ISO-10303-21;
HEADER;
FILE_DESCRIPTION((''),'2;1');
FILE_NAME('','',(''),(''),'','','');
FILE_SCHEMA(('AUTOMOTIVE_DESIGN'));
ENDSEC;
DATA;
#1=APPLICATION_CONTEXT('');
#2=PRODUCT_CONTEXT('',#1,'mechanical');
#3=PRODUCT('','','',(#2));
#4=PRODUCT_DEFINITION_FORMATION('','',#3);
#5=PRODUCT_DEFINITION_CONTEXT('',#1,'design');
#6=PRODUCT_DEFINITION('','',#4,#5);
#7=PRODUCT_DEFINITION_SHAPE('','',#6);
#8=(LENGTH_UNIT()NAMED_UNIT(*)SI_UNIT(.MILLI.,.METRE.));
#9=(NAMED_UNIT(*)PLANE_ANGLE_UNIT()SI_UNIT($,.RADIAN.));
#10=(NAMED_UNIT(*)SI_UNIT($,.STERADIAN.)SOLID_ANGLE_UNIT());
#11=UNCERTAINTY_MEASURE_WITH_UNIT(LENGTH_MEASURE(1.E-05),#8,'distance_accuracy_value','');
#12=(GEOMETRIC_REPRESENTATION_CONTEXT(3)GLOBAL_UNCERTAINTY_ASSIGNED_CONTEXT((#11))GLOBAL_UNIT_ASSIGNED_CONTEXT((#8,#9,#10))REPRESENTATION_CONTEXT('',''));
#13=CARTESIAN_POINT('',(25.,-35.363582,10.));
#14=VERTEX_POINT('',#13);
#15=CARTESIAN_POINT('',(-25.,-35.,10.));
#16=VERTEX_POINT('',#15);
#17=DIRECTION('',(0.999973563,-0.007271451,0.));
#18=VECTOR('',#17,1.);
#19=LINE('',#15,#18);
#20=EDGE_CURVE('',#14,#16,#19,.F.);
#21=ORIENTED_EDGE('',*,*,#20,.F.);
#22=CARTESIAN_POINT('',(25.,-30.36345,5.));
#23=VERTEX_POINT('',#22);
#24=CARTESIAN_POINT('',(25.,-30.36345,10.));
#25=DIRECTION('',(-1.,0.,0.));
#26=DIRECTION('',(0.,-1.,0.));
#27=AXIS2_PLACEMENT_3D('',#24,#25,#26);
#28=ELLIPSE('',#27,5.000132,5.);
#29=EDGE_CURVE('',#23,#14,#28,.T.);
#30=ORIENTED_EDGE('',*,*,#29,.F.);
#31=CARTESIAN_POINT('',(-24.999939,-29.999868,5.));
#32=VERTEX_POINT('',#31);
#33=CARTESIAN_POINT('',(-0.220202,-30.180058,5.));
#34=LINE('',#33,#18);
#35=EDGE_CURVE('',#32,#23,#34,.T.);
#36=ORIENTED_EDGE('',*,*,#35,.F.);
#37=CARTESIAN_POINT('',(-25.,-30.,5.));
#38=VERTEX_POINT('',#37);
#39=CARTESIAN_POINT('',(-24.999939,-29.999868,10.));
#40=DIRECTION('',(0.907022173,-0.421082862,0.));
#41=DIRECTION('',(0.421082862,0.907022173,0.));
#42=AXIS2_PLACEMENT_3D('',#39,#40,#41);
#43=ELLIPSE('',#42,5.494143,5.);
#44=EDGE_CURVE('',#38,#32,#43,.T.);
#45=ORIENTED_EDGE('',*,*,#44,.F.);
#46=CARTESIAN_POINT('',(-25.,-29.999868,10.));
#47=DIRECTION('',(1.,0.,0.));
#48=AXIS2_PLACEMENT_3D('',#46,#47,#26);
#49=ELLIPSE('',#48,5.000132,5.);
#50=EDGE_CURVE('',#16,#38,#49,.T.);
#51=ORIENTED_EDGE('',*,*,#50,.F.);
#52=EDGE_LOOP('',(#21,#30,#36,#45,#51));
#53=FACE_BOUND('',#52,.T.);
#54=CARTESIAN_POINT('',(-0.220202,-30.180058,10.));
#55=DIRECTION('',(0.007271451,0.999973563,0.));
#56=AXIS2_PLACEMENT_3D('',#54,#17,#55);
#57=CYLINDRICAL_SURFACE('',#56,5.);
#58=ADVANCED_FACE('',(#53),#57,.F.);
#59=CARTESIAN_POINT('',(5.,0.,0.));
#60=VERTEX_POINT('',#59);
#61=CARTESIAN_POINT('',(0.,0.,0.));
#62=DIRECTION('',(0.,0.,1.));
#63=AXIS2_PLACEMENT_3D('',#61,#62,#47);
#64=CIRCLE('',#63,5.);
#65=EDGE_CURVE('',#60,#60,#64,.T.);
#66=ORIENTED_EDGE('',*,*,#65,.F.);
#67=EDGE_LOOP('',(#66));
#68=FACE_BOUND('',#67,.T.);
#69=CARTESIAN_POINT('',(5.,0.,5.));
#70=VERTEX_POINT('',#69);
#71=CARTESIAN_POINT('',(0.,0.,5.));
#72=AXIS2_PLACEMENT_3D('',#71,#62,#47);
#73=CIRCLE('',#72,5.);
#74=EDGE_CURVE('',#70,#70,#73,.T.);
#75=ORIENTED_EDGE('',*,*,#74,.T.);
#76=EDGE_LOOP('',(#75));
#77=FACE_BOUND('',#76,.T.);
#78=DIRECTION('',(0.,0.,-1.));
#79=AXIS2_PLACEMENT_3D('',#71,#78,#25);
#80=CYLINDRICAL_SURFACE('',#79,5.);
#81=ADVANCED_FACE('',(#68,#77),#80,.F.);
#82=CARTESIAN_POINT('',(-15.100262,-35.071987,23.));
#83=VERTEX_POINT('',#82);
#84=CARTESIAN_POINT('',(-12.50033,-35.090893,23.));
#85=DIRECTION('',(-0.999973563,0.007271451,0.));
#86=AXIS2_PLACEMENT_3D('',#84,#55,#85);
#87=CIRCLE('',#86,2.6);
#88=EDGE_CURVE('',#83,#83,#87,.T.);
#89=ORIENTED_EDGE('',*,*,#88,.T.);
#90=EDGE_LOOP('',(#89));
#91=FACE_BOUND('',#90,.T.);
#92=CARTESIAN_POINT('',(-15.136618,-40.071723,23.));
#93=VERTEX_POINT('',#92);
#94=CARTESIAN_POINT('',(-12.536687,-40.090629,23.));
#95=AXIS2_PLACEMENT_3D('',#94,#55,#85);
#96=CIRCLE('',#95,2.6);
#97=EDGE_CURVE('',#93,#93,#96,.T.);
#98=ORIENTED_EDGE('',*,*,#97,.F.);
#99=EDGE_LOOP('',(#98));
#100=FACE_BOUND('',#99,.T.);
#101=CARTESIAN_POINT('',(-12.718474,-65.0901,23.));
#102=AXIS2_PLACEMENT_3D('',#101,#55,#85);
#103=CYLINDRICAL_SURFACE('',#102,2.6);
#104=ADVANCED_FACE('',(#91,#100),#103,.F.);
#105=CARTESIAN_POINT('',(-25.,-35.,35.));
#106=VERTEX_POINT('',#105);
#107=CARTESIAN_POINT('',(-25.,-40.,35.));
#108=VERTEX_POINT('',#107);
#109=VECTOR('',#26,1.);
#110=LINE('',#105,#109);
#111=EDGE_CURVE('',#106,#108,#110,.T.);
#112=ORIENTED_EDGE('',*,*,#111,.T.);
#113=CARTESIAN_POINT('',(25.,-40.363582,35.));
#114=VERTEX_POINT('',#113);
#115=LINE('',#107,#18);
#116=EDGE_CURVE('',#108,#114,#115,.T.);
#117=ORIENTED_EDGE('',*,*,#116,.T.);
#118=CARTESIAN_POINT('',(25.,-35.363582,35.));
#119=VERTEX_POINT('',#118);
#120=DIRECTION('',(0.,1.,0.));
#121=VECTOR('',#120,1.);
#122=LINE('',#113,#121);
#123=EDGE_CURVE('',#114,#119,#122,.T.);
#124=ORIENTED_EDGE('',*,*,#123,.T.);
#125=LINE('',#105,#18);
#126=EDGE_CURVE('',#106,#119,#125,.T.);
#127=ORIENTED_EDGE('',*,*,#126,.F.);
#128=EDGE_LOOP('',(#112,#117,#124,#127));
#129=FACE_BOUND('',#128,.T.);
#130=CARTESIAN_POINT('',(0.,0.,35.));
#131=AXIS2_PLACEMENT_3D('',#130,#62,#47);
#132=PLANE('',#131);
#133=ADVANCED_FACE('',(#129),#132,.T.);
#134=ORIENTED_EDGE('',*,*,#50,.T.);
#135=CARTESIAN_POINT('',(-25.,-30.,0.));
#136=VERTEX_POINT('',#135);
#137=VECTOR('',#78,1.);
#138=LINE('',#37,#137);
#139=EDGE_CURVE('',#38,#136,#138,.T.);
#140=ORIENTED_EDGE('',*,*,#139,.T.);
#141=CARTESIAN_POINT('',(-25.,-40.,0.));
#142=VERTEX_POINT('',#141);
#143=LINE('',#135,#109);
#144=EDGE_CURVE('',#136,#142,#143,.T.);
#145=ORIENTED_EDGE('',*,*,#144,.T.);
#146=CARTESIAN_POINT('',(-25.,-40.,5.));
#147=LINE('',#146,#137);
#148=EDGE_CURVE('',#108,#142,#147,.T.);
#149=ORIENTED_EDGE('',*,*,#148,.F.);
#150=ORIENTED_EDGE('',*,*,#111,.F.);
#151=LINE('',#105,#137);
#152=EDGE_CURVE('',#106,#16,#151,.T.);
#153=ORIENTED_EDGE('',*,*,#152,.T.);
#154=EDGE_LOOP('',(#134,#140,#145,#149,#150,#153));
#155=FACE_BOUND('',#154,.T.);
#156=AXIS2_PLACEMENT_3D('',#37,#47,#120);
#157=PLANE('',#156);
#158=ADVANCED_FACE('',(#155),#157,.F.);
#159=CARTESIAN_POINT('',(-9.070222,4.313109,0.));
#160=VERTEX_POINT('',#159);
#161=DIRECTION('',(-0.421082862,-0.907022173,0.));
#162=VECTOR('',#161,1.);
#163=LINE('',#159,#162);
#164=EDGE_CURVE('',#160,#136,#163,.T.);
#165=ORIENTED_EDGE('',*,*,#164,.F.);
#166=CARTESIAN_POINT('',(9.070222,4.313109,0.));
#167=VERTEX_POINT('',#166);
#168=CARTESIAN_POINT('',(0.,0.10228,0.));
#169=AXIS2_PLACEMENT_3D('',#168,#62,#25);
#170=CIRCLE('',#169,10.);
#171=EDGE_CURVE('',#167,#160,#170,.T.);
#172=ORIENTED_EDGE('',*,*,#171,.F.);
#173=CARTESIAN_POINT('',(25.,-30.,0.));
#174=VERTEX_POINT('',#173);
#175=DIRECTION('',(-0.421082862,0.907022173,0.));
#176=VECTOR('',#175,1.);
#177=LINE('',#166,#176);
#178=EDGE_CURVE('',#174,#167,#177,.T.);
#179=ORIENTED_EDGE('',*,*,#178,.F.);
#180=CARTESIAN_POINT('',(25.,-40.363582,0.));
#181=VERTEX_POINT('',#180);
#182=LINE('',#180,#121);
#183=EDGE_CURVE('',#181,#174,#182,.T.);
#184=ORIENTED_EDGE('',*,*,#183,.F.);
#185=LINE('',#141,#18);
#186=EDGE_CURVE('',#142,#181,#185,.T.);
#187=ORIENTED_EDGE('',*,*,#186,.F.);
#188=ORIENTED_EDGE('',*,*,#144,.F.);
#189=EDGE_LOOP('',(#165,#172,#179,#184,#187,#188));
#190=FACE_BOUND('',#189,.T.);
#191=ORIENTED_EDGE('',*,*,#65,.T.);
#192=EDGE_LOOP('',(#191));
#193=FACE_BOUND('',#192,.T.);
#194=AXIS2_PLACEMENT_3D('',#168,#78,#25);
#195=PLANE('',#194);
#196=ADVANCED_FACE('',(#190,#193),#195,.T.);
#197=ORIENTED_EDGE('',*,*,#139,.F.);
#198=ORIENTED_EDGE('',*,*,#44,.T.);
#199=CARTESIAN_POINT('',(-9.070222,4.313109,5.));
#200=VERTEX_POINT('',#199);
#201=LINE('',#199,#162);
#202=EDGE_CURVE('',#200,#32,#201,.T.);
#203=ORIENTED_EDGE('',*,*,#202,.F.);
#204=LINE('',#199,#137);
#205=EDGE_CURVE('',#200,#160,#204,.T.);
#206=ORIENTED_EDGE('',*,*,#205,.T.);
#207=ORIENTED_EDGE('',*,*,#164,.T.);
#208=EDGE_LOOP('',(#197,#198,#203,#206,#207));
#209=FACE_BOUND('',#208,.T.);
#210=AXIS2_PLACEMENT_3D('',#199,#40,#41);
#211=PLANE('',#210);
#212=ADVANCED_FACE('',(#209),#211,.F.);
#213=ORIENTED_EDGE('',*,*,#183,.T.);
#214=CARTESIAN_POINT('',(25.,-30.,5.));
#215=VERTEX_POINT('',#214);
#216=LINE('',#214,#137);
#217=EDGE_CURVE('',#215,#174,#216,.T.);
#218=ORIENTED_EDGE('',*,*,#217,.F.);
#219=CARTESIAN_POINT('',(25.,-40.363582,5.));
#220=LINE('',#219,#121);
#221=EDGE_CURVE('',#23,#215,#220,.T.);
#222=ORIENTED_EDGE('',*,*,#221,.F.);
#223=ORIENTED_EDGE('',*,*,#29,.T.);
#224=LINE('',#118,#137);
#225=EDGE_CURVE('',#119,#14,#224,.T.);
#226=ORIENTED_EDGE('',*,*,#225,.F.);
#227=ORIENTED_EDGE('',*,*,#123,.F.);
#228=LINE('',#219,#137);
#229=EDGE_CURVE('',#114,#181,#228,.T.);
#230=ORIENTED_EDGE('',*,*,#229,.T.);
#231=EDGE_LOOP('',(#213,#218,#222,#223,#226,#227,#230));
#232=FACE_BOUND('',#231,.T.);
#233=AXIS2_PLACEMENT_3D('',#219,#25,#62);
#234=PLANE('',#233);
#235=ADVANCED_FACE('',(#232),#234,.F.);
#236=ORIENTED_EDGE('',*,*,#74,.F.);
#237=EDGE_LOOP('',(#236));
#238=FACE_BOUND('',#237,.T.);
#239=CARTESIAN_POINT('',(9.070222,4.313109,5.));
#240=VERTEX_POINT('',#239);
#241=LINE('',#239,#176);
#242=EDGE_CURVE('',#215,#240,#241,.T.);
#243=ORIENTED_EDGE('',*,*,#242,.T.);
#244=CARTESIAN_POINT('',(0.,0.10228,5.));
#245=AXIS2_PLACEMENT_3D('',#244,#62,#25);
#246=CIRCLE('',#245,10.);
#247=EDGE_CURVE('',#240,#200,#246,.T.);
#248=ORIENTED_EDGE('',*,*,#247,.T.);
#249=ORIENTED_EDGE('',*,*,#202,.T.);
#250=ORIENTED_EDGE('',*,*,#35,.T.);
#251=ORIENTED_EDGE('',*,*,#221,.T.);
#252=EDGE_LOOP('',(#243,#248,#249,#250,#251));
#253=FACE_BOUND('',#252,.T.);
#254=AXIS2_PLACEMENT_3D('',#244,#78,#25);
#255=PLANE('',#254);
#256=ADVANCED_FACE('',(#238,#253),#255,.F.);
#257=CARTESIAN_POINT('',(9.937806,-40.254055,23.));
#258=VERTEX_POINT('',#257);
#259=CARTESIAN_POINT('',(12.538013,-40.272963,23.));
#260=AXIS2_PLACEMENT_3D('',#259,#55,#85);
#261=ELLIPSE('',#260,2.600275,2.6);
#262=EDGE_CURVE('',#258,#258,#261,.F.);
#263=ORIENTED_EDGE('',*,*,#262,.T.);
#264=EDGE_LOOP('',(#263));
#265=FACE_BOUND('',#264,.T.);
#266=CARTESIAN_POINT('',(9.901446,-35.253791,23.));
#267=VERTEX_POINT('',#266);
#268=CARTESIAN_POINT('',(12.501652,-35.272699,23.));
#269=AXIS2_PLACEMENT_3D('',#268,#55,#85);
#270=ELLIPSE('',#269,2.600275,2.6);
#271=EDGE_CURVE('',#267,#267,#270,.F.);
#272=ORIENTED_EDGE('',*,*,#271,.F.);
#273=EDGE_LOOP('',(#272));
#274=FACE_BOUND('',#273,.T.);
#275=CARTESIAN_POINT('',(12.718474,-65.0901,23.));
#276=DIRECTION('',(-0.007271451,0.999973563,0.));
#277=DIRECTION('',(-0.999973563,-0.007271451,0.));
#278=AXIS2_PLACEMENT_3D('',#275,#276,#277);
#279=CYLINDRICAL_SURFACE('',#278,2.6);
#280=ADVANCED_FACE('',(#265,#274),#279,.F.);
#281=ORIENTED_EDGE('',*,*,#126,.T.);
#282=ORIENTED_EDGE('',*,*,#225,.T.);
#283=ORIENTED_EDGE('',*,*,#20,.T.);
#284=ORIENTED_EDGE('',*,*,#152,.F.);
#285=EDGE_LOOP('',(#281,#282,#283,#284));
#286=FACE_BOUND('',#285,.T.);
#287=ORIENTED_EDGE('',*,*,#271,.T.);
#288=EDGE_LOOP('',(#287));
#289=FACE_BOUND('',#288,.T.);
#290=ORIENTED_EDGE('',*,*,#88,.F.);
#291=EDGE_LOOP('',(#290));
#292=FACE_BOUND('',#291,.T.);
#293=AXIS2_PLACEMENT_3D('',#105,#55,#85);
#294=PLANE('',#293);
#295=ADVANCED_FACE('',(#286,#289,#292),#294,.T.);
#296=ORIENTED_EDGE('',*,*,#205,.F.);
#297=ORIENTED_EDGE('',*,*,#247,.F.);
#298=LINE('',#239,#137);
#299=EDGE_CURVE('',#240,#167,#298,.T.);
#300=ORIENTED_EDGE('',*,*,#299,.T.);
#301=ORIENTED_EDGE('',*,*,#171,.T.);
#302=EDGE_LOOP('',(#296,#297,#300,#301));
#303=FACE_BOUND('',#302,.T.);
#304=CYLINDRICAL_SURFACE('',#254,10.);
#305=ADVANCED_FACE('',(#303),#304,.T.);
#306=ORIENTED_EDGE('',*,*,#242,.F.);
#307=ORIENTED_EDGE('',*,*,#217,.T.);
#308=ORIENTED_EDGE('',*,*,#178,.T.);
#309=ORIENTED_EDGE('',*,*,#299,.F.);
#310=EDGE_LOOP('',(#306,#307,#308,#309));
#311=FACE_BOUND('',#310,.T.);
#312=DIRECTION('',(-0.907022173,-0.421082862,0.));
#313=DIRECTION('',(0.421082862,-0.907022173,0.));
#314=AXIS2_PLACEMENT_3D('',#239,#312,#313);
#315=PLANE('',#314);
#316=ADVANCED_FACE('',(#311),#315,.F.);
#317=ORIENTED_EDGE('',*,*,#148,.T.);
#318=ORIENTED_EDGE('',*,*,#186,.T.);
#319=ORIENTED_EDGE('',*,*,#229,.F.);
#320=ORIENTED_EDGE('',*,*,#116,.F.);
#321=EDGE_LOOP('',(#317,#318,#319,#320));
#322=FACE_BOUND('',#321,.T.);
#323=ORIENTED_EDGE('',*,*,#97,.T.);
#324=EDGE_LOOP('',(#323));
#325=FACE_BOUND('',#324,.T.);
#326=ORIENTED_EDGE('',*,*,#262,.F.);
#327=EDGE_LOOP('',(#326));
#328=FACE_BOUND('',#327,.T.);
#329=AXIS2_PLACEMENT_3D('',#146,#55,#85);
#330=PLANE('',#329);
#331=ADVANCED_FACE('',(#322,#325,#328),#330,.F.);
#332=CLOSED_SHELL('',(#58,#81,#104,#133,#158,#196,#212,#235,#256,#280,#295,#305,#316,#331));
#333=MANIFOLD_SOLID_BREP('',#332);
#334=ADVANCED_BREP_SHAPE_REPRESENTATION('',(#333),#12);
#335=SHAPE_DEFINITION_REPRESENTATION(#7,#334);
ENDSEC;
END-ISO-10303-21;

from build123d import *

# Parameters (mm, degrees)
SKETCH1_R           = 5
BOSS_EXTRUDE1_DEPTH = 5
BOSS_EXTRUDE2_DEPTH = 30
FILLET1_R           = 5
SKETCH7_R           = 2.6
CUT_EXTRUDE1_DEPTH  = 30


with BuildPart() as part:
    # Sketch1 → Boss-Extrude1 (new body)
    with BuildSketch(Plane.XY):
        with BuildLine():
            Line((-9.070221734, 4.313108884), (-25, -30))
            Line((-25, -30), (-25, -40))
            Line((-25, -40), (25, -40.363582182))
            Line((25, -40.363582182), (25, -30))
            Line((25, -30), (9.070221734, 4.313108884))
            ThreePointArc((9.070221734, 4.313108884), (0, 10.102280261), (-9.070221734, 4.313108884))
        make_face()
        Circle(SKETCH1_R, mode=Mode.SUBTRACT)
    extrude(amount=BOSS_EXTRUDE1_DEPTH)

    # Sketch6 → Boss-Extrude2 (add)
    with BuildSketch(Plane.XY.offset(5)):
        Polygon((-25, -35), (-25, -40), (25, -40.363582182), (25, -35.363582182), align=None)
    extrude(amount=BOSS_EXTRUDE2_DEPTH)

    # Fillet1
    fillet1_edges = [part.edges().sort_by_distance(p)[0] for p in [
        (0, -35.181791091, 5),
    ]]
    fillet(fillet1_edges, radius=FILLET1_R)

    # Sketch7 → Cut-Extrude1 (cut)
    with BuildSketch(Plane(origin=(-0.255815921, -35.179930889, 0), x_dir=(0.9999735626477819, -0.0072714514027518145, 0), z_dir=(0.007271451402751815, 0.999973562647782, 0))):
        with Locations(Location((-12.244838267, -23, 0), (0, 0, 180))):
            Circle(SKETCH7_R)
    cut_extrude1 = extrude(amount=-CUT_EXTRUDE1_DEPTH, mode=Mode.SUBTRACT)

    # Mirror2: Cut-Extrude1 across plane
    add(cut_extrude1.mirror(Plane(origin=(0, 0, 0), x_dir=(0, 0, 1), z_dir=(1, 0, 0))), mode=Mode.SUBTRACT)


solid = part.part
